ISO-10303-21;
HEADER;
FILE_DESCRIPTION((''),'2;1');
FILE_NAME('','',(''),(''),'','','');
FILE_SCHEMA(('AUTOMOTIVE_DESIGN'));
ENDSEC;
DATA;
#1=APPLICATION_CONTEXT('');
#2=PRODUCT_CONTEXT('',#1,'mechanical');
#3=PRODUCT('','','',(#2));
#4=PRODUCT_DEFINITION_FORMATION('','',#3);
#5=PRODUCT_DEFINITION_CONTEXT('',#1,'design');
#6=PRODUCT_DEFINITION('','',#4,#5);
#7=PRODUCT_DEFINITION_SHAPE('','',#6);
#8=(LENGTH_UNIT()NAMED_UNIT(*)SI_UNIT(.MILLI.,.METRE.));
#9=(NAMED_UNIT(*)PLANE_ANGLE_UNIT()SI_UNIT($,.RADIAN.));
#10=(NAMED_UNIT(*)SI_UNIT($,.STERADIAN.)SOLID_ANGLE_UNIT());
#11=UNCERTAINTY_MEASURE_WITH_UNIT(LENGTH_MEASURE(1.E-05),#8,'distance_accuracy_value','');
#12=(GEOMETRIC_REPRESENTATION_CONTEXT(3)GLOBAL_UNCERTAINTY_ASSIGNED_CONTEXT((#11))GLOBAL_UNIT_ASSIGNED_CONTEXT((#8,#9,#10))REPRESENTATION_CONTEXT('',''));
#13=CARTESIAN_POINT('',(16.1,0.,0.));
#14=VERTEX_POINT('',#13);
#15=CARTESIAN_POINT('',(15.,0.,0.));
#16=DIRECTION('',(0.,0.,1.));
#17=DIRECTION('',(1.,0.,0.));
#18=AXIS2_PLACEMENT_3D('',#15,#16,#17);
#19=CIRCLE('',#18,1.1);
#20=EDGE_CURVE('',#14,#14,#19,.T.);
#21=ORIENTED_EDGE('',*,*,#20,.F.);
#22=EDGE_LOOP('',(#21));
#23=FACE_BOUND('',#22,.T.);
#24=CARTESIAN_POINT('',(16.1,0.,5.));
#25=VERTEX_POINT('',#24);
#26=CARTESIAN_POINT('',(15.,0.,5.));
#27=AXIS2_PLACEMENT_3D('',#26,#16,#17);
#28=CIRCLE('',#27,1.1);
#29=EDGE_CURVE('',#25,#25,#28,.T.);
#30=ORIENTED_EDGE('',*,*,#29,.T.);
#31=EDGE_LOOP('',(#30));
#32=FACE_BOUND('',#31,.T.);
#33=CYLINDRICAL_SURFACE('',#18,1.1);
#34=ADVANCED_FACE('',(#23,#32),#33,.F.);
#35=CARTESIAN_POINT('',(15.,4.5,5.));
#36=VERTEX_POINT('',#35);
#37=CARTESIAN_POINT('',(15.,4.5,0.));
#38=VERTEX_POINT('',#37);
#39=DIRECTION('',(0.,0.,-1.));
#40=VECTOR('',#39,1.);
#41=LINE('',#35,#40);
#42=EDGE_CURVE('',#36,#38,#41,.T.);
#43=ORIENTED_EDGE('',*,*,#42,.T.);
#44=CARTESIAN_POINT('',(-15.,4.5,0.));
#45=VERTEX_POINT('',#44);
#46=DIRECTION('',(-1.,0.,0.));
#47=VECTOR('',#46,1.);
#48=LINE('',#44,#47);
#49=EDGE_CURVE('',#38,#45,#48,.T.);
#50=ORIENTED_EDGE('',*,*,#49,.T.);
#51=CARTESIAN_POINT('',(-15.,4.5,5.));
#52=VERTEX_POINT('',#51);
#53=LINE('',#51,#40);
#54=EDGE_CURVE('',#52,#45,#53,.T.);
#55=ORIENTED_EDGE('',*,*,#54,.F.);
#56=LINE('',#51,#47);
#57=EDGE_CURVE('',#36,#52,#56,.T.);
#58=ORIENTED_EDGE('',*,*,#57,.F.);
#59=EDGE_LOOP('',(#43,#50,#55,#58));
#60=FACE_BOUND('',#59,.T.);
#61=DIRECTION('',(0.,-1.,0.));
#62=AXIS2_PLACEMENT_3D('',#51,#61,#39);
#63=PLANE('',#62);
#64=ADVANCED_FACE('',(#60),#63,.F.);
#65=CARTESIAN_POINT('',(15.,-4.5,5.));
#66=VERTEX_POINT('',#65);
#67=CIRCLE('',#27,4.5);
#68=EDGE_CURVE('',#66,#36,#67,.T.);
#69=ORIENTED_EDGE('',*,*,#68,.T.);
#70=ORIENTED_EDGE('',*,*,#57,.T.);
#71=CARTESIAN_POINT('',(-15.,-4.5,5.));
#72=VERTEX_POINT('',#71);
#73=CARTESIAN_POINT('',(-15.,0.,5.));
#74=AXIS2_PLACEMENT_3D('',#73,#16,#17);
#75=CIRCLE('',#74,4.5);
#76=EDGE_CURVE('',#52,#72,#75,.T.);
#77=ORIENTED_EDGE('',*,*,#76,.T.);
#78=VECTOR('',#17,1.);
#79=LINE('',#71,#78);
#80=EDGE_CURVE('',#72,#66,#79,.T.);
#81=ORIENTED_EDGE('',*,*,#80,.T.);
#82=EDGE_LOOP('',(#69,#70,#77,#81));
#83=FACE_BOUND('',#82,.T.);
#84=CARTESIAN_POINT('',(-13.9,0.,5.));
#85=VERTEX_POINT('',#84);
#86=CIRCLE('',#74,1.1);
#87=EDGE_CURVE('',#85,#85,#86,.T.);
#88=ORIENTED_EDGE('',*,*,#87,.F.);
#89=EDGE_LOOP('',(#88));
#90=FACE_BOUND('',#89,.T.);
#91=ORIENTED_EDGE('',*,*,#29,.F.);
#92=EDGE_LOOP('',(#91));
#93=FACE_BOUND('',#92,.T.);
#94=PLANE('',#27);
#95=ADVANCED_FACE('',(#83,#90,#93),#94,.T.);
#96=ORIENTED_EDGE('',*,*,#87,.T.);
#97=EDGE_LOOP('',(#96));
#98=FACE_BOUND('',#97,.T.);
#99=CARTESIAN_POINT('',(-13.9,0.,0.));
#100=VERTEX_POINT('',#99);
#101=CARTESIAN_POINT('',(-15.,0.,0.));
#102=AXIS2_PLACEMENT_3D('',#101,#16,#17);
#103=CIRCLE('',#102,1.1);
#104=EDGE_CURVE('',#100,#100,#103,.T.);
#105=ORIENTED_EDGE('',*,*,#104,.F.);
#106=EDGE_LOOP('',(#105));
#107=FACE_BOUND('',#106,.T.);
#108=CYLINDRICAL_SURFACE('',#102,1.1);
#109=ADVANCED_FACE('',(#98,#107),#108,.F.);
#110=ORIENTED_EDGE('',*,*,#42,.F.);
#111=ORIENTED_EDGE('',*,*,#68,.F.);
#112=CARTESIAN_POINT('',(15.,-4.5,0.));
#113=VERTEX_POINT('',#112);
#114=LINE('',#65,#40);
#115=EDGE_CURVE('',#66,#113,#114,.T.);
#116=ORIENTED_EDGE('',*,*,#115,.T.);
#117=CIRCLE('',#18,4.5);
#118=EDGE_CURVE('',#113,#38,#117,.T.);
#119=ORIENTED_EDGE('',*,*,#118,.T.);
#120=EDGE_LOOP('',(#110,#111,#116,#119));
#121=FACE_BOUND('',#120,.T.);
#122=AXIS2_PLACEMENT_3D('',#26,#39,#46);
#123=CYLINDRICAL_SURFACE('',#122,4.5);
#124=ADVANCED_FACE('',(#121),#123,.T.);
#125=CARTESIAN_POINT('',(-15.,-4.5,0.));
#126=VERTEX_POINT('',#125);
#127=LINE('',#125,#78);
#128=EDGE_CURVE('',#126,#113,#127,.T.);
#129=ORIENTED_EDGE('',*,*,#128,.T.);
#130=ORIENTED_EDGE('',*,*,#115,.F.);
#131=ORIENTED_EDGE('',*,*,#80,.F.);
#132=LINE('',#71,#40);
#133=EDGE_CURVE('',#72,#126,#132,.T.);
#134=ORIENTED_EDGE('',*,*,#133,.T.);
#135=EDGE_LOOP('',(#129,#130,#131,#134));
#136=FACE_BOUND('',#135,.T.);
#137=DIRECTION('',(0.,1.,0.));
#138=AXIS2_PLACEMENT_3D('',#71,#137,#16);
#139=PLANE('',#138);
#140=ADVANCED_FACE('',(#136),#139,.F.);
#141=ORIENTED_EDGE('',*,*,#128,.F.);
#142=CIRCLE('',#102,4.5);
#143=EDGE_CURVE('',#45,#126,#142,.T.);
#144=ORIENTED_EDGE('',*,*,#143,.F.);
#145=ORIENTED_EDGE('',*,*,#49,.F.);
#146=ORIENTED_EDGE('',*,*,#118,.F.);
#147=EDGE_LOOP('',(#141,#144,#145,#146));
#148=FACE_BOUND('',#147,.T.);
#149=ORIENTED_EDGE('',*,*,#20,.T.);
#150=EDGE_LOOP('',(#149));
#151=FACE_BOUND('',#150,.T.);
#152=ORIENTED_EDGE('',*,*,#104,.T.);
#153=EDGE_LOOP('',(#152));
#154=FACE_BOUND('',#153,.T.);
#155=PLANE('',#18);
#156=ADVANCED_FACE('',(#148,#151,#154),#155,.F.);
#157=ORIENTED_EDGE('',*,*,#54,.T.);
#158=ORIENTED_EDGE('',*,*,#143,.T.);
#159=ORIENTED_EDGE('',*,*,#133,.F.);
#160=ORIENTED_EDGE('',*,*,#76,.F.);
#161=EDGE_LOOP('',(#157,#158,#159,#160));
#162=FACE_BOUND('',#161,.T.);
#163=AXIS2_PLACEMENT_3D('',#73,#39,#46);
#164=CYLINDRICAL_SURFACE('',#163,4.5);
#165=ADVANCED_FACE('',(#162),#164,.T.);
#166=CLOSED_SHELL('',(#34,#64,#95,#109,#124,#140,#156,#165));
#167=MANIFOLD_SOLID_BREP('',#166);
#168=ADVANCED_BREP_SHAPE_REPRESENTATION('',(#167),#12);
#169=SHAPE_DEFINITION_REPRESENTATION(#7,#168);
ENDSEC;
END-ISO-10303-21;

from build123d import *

# Parameters (mm, degrees)
BOSS_EXTRUDE1_DEPTH = 5
SKETCH2_R           = 1.1
CUT_EXTRUDE1_DEPTH  = 21.627651345


with BuildPart() as part:
    # Sketch1 → Boss-Extrude1 (new body)
    with BuildSketch(Plane.XY):
        with BuildLine():
            Line((-15, -4.5), (15, -4.5))
            ThreePointArc((15, -4.5), (19.5, 0), (15, 4.5))
            Line((15, 4.5), (-15, 4.5))
            ThreePointArc((-15, 4.5), (-19.5, 0), (-15, -4.5))
        make_face()
    extrude(amount=BOSS_EXTRUDE1_DEPTH)

    # Sketch2 → Cut-Extrude1 (cut, through all)
    with BuildSketch(Plane.XY.offset(5)):
        with Locations((-15, 0)):
            Circle(SKETCH2_R)
        with Locations((15, 0)):
            Circle(SKETCH2_R)
    extrude(amount=-CUT_EXTRUDE1_DEPTH, mode=Mode.SUBTRACT)


solid = part.part
